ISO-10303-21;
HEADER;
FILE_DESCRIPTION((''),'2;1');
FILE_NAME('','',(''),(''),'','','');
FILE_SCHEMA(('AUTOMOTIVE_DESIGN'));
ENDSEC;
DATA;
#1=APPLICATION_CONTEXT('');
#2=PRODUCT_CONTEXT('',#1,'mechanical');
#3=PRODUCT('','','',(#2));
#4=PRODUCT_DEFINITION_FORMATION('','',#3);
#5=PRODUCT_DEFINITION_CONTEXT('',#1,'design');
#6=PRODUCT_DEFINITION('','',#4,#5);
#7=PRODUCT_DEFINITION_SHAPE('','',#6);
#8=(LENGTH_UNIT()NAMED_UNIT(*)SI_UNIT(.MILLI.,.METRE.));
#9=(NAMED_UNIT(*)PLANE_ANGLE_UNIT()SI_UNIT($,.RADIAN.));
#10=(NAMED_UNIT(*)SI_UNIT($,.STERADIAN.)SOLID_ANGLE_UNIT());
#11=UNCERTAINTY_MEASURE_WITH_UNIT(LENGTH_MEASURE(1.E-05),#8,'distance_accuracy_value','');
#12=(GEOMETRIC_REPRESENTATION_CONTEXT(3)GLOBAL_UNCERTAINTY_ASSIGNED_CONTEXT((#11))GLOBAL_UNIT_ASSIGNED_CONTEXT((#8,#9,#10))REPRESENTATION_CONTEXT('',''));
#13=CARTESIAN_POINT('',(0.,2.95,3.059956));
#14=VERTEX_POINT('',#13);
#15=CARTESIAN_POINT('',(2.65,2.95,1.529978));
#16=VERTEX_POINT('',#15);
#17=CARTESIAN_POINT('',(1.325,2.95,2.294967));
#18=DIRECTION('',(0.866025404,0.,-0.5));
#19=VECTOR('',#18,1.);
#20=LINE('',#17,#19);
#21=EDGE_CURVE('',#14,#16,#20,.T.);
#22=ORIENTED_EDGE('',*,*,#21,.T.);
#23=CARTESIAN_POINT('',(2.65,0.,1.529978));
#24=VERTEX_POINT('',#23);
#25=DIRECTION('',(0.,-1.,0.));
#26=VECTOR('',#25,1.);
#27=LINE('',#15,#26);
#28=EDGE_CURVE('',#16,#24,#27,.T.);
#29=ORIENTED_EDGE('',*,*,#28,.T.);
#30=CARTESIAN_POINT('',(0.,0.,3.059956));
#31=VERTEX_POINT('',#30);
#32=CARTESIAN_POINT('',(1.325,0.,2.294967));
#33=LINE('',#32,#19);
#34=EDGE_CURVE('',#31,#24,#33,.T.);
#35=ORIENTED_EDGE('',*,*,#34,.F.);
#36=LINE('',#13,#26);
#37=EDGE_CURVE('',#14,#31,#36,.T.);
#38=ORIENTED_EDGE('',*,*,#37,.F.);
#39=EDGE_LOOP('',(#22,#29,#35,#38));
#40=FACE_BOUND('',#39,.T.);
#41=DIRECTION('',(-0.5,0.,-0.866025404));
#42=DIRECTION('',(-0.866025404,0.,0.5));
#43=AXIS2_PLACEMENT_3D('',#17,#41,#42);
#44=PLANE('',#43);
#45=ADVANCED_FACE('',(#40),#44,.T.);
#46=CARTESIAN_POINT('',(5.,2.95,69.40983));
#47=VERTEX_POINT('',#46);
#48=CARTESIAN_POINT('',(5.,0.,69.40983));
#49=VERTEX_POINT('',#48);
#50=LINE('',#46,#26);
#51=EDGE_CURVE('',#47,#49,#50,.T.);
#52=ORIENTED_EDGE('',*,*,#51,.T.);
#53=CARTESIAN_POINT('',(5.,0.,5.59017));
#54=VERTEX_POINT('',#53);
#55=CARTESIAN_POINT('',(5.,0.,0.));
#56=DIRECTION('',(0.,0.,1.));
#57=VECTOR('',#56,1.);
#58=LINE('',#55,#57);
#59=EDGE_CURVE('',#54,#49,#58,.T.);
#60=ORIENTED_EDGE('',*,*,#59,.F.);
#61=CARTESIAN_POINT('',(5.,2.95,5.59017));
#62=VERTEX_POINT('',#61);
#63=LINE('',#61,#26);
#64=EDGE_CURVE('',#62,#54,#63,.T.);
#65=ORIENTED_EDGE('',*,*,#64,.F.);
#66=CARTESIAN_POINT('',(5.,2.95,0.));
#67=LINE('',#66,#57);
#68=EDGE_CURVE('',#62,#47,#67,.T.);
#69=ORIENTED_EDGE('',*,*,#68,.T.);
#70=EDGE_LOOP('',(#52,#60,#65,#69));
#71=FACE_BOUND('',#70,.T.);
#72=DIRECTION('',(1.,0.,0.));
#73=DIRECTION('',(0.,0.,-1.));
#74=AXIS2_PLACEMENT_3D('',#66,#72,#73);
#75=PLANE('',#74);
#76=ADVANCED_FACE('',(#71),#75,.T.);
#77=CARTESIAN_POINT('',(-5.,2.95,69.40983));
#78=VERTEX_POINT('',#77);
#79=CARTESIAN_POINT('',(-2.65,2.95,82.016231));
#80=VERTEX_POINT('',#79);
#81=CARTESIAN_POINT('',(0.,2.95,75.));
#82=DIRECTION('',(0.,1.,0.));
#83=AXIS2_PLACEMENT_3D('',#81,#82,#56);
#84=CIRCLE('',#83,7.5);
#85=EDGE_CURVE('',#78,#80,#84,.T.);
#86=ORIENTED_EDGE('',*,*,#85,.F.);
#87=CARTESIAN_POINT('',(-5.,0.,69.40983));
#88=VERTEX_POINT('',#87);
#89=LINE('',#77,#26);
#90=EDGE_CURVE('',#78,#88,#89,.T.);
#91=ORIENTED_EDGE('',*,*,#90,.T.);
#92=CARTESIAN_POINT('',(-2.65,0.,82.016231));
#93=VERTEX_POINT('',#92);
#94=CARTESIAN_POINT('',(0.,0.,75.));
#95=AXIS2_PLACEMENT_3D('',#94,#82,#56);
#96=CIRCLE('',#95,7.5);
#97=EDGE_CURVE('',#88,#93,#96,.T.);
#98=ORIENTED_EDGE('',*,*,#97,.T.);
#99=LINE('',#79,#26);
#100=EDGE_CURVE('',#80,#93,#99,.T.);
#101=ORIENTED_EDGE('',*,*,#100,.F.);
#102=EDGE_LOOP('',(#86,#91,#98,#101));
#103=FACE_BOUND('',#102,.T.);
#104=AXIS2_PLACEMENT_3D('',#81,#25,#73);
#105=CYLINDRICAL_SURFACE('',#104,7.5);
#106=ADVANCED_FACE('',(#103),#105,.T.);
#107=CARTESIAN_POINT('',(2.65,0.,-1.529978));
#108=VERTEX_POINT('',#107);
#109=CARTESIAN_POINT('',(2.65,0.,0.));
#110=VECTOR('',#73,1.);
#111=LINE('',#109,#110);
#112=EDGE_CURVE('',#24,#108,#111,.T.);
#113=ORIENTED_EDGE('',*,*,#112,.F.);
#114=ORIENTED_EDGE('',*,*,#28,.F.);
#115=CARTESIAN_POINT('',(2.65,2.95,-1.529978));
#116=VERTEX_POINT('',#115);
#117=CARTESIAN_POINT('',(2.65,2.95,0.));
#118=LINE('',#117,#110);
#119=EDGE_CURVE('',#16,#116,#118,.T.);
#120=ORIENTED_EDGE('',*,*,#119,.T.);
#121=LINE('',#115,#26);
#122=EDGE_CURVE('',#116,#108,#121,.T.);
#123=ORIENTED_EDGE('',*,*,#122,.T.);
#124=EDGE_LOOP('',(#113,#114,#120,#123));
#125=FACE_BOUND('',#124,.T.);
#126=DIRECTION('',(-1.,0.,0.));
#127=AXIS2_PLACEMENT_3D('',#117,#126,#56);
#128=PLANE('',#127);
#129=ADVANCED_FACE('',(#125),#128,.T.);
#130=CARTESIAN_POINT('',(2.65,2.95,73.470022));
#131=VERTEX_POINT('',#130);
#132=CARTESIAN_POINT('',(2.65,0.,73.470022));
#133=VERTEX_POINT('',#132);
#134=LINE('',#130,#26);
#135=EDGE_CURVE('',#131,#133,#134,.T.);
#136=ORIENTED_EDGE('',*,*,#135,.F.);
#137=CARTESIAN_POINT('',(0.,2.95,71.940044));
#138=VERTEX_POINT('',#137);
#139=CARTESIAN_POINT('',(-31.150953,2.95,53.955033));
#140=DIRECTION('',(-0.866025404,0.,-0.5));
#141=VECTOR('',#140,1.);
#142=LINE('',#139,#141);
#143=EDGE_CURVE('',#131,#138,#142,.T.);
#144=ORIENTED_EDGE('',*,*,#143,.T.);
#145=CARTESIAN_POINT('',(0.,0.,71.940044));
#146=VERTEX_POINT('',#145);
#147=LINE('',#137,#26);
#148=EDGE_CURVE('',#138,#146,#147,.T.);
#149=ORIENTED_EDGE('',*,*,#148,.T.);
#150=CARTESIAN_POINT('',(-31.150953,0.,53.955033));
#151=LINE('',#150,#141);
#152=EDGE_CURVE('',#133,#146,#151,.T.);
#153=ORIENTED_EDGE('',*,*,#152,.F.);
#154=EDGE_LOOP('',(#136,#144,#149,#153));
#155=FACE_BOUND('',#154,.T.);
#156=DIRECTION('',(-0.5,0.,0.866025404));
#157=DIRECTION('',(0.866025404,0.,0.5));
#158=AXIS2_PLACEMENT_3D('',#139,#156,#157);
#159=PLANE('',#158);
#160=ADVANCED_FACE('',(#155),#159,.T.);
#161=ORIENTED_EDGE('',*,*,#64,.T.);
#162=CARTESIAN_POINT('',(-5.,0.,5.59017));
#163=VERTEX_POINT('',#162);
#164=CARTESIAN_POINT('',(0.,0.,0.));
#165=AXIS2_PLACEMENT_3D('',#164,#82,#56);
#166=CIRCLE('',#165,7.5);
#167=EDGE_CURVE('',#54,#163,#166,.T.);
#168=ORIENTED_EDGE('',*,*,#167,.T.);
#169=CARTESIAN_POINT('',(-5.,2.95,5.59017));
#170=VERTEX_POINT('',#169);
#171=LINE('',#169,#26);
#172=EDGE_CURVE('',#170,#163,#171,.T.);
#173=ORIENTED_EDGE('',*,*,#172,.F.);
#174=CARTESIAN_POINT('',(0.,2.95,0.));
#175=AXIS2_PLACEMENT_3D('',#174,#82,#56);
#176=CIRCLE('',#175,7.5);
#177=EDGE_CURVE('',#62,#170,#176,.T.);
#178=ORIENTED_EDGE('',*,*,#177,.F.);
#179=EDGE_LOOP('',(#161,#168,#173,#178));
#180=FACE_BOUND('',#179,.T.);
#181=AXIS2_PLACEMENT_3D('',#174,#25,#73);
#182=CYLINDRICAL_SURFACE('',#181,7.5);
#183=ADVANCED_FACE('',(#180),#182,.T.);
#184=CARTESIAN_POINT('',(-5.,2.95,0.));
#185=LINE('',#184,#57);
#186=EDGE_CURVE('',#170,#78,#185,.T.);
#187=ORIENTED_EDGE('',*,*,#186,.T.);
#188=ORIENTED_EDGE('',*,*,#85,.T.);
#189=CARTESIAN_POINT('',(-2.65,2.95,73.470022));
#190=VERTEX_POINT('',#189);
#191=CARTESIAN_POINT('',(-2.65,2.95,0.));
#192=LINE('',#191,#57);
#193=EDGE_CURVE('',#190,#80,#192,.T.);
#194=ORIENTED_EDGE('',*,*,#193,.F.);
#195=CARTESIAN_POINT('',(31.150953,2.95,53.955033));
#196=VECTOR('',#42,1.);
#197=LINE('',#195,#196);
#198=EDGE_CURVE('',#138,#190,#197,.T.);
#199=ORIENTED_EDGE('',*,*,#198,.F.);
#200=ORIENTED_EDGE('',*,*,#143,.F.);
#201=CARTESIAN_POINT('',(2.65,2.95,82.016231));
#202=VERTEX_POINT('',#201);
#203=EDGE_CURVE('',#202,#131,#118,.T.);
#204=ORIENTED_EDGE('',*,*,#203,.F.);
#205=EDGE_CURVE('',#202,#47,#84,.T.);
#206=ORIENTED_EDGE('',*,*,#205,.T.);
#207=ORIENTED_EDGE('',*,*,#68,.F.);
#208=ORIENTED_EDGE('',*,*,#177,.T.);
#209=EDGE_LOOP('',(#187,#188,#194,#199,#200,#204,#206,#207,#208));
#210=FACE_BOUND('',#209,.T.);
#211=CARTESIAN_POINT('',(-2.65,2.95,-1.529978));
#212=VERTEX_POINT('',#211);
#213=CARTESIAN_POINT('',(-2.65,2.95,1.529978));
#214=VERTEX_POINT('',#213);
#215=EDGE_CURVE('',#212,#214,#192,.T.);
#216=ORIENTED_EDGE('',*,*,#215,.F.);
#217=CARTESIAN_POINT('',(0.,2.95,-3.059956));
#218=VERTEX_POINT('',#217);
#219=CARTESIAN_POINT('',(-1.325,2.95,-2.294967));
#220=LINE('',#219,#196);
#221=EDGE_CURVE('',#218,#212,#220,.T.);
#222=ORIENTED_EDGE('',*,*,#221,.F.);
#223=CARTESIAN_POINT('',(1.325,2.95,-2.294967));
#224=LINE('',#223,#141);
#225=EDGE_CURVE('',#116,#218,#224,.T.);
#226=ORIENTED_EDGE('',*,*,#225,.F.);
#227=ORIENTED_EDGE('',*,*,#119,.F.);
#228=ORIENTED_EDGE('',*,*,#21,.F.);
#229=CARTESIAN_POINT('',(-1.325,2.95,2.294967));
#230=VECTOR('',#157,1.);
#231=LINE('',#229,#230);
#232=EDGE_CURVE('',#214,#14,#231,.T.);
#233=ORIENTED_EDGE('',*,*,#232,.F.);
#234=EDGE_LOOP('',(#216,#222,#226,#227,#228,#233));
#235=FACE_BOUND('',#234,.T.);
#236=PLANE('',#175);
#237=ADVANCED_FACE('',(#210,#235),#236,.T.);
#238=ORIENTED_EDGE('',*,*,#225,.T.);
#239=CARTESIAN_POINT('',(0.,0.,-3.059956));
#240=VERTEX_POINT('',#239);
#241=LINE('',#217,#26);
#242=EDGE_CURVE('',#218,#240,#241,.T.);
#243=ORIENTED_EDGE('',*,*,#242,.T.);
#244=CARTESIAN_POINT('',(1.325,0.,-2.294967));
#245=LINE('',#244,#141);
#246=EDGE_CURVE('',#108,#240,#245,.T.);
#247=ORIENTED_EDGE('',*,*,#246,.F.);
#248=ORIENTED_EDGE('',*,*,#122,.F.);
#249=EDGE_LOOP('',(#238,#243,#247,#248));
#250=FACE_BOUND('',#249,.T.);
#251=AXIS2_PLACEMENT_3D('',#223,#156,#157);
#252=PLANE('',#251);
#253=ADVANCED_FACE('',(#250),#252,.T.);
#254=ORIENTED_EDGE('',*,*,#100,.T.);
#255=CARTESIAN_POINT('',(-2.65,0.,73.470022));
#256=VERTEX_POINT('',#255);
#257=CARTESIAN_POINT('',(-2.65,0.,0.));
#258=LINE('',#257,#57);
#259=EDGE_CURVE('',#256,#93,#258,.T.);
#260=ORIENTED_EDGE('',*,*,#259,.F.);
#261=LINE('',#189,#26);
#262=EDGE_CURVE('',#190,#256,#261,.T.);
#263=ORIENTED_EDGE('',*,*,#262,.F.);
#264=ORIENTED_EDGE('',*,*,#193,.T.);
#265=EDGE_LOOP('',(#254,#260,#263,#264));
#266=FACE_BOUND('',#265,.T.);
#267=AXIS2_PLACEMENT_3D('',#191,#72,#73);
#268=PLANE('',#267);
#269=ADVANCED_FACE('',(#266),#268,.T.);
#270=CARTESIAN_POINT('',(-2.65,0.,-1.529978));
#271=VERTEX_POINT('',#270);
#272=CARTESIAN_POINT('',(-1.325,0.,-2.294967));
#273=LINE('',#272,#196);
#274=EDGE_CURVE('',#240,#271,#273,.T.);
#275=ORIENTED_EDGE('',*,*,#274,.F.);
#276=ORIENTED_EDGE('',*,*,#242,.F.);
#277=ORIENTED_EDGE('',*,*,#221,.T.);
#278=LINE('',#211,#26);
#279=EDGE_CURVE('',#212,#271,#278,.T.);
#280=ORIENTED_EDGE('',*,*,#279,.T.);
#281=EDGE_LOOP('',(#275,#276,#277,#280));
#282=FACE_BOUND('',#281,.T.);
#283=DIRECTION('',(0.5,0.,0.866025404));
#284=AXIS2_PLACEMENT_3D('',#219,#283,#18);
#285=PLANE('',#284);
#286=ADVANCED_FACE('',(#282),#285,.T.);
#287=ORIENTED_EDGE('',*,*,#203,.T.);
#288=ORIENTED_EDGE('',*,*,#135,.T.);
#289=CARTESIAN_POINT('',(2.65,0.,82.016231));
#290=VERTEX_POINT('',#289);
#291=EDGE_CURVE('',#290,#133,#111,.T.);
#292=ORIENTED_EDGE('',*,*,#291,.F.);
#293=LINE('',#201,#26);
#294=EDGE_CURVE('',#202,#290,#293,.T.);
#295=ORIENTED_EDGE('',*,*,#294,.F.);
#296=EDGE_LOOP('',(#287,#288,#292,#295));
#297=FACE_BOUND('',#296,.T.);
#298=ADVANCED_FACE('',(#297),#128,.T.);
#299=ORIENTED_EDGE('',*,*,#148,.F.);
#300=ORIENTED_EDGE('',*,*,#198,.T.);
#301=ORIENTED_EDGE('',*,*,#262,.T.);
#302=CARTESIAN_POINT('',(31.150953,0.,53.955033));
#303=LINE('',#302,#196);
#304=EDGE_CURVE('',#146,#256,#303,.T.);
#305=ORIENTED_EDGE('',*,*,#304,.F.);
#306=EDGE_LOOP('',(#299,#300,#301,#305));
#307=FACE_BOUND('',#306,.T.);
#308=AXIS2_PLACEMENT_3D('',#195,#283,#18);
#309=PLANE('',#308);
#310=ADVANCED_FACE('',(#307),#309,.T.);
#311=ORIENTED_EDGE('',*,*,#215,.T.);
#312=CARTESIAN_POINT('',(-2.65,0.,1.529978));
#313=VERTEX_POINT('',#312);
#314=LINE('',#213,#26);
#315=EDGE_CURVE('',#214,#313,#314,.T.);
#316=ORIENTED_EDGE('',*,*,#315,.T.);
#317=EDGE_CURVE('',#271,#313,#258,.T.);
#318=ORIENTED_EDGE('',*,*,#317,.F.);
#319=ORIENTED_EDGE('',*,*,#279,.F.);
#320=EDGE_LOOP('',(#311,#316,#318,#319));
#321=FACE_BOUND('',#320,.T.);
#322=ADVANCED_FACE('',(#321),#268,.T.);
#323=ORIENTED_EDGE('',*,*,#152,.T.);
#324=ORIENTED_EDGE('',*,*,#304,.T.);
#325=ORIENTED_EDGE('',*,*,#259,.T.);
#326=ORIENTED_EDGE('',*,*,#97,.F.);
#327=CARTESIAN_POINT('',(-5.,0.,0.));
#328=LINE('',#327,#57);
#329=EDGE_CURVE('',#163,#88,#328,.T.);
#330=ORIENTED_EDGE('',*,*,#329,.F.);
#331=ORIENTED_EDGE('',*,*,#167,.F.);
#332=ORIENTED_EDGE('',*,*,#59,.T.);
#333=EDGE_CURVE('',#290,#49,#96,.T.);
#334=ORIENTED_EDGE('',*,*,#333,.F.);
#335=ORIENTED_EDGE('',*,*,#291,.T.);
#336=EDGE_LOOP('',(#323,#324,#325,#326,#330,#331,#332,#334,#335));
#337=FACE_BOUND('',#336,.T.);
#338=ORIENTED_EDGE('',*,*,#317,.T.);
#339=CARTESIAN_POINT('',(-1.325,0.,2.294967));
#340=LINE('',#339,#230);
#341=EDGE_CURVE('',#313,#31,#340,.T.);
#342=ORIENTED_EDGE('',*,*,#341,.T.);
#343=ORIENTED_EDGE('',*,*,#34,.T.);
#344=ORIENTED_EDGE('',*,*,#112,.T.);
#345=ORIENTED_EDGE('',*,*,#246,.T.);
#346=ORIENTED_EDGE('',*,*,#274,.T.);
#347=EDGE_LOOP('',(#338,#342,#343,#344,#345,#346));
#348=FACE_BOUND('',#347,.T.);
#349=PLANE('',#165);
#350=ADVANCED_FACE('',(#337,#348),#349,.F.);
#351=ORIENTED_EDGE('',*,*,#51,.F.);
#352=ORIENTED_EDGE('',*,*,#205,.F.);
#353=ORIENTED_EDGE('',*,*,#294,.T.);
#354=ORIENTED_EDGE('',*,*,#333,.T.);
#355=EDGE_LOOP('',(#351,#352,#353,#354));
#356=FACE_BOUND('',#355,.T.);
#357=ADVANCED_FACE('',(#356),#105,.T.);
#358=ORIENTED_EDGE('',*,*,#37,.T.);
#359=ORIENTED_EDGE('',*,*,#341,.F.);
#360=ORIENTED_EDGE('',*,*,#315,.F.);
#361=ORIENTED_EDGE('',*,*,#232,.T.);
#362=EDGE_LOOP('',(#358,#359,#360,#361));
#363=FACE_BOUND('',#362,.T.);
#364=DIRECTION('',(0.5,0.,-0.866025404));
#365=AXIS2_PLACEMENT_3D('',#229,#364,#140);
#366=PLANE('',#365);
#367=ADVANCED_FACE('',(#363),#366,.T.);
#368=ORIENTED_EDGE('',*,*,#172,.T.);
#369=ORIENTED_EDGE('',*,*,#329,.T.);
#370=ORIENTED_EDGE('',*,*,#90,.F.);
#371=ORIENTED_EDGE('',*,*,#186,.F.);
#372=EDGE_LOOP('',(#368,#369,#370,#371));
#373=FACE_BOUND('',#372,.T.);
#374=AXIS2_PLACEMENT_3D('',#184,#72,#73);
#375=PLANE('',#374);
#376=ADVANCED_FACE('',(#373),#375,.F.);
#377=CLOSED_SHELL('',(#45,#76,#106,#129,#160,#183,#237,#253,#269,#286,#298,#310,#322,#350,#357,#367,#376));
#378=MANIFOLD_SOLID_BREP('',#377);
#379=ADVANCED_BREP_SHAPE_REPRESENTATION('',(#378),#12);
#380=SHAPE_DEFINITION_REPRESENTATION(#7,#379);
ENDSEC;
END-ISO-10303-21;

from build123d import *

# Parameters (mm, degrees)
BOSS_EXTRUDE1_DEPTH = 2.95


with BuildPart() as part:
    # Sketch1 → Boss-Extrude1 (new body)
    with BuildSketch(Plane(origin=(0, 0, 0), x_dir=(1, 0, 0), z_dir=(0, 1, 0))):
        with BuildLine():
            Line((5, -75), (5, -69.409830056))
            ThreePointArc((5, -69.409830056), (0, -67.5), (-5, -69.409830056))
            Line((-5, -69.409830056), (-5, -75))
            Line((-5, -75), (-2.65, -75))
            Line((-2.65, -75), (-2.65, -73.470021787))
            Line((-2.65, -73.470021787), (0, -71.940043573))
            Line((0, -71.940043573), (2.65, -73.470021787))
            Line((2.65, -73.470021787), (2.65, -75))
            Line((2.65, -75), (5, -75))
        make_face()
        with BuildLine():
            Line((-5, -75), (-5, -69.409830056))
            ThreePointArc((-5, -69.409830056), (-7.372988698, -76.374422666), (-2.65, -82.016231182))
            Line((-2.65, -82.016231182), (-2.65, -76.529978213))
            Line((-2.65, -76.529978213), (-2.65, -75))
            Line((-2.65, -75), (-5, -75))
        make_face()
        with BuildLine():
            ThreePointArc((7.5, -75), (6.846531969, -71.938137822), (5, -69.409830056))
            Line((5, -69.409830056), (5, -75))
            Line((5, -75), (2.65, -75))
            Line((2.65, -75), (2.65, -76.529978213))
            Line((2.65, -76.529978213), (2.65, -82.016231182))
            ThreePointArc((2.65, -82.016231182), (6.16948134, -79.264680527), (7.5, -75))
        make_face()
        with BuildLine():
            Line((5, -69.409830056), (5, -5.590169944))
            ThreePointArc((5, -5.590169944), (0, -7.5), (-5, -5.590169944))
            Line((-5, -5.590169944), (-5, -69.409830056))
            ThreePointArc((-5, -69.409830056), (0, -67.5), (5, -69.409830056))
        make_face()
        with BuildLine():
            Line((2.65, 1.529978213), (2.65, 0))
            Line((2.65, 0), (5, 0))
            Line((5, 0), (5, -5.590169944))
            ThreePointArc((5, -5.590169944), (6.846531969, -3.061862178), (7.5, 0))
            ThreePointArc((7.5, 0), (-3.061862178, 6.846531969), (-5, -5.590169944))
            Line((-5, -5.590169944), (-5, 0))
            Line((-5, 0), (-2.65, 0))
            Line((-2.65, 0), (-2.65, 1.529978213))
            Line((-2.65, 1.529978213), (0, 3.059956427))
            Line((0, 3.059956427), (2.65, 1.529978213))
        make_face()
        with BuildLine():
            Line((2.65, -1.529978213), (0, -3.059956427))
            Line((0, -3.059956427), (-2.65, -1.529978213))
            Line((-2.65, -1.529978213), (-2.65, 0))
            Line((-2.65, 0), (-5, 0))
            Line((-5, 0), (-5, -5.590169944))
            ThreePointArc((-5, -5.590169944), (0, -7.5), (5, -5.590169944))
            Line((5, -5.590169944), (5, 0))
            Line((5, 0), (2.65, 0))
            Line((2.65, 0), (2.65, -1.529978213))
        make_face()
    extrude(amount=BOSS_EXTRUDE1_DEPTH)


solid = part.part
